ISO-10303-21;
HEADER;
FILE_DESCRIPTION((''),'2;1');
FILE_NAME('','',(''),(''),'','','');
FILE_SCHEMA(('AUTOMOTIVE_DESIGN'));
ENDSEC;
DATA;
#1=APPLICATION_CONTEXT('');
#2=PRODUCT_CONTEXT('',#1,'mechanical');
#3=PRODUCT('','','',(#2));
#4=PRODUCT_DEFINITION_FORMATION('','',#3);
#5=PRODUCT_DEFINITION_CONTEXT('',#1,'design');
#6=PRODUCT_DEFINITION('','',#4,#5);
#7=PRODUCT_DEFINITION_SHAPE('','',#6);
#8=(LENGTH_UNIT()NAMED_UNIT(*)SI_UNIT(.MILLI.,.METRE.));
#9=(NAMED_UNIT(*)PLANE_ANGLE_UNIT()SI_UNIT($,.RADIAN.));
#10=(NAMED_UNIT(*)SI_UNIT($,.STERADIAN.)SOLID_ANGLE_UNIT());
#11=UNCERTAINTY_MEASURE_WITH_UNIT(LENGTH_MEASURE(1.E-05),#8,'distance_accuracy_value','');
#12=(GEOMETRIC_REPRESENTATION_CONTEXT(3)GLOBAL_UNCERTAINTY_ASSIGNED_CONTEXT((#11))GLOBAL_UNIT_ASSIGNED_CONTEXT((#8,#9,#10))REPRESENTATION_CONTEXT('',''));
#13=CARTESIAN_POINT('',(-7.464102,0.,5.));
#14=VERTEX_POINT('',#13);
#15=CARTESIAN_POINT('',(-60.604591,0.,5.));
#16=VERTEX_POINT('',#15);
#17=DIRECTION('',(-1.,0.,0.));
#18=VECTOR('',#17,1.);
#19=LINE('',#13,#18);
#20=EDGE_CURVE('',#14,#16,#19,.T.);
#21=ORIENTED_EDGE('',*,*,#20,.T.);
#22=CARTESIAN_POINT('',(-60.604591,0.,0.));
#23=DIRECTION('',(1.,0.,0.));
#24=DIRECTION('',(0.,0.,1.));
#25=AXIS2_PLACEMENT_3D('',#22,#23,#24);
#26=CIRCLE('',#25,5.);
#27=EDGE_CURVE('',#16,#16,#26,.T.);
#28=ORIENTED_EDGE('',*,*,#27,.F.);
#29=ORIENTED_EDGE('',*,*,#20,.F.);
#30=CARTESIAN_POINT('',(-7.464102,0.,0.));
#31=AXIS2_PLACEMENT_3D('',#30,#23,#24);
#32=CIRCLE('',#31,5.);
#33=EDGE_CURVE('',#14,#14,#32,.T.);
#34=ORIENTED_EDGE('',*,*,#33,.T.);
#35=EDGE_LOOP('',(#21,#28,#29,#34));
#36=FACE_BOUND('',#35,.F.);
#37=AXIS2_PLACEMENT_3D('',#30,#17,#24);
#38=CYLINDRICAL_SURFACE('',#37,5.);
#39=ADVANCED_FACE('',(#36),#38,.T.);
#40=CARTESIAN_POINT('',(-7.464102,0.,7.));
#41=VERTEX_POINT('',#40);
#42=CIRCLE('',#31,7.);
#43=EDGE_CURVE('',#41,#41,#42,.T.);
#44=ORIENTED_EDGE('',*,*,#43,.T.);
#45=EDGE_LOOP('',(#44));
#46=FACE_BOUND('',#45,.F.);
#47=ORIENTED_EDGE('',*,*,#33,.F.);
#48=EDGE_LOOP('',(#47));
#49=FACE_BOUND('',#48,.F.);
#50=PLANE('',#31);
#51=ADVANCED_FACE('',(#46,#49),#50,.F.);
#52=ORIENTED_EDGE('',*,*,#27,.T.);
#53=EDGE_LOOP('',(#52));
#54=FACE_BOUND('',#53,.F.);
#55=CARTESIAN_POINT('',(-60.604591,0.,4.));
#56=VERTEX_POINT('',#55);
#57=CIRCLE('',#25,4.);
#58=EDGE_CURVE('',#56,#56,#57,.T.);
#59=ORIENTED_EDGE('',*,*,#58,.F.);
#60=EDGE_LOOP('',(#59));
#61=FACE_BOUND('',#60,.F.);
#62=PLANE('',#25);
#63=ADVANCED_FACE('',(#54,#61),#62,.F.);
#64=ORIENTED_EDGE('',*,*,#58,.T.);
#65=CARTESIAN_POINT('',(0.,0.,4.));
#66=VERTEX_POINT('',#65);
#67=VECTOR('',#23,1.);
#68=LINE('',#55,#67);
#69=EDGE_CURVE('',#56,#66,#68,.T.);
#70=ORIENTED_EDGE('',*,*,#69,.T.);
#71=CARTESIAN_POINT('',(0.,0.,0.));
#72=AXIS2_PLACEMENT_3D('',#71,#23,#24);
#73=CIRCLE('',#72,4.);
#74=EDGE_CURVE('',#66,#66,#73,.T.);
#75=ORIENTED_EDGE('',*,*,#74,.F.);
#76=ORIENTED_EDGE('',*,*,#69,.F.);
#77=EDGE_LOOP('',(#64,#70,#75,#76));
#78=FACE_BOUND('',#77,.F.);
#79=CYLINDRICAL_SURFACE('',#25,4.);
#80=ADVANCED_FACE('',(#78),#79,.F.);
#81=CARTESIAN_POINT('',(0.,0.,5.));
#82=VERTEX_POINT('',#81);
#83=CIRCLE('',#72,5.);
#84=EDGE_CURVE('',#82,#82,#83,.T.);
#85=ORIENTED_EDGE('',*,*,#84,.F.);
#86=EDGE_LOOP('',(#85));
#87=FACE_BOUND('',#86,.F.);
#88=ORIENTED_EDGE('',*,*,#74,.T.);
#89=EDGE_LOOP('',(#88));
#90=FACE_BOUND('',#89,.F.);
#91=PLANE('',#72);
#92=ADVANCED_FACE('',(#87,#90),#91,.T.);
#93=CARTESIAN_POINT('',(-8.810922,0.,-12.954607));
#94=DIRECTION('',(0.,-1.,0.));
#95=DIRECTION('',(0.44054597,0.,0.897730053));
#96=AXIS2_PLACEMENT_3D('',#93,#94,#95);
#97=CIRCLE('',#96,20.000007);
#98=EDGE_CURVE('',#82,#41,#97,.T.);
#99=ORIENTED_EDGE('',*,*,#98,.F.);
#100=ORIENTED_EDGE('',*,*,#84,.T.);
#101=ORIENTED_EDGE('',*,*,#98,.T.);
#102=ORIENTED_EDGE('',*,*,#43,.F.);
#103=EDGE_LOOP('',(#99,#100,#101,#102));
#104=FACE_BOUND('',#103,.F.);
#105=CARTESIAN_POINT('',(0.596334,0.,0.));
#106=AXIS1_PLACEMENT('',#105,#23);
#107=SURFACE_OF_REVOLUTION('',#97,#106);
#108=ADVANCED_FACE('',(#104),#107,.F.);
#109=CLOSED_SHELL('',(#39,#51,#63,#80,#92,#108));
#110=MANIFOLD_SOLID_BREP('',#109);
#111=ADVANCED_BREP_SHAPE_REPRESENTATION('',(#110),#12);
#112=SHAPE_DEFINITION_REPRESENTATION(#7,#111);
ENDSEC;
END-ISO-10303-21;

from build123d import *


with BuildPart() as f1:
    # F0 (on Front) → F1 (revolve)
    with BuildSketch(Plane.XZ):
        with BuildLine():
            Line((-60.604591, 5), (-60.604591, 4))
            Line((-60.604591, 4), (0, 4))
            Line((0, 4), (0, 5))
            ThreePointArc((0, 5), (-3.63454, 6.363916), (-7.464102, 7))
            Line((-7.464102, 7), (-7.464102, 5))
            Line((-7.464102, 5), (-60.604591, 5))
        make_face()
    revolve(axis=Axis((0.596334, 0, 0), (1, 0, 0)))


solid = f1.part
